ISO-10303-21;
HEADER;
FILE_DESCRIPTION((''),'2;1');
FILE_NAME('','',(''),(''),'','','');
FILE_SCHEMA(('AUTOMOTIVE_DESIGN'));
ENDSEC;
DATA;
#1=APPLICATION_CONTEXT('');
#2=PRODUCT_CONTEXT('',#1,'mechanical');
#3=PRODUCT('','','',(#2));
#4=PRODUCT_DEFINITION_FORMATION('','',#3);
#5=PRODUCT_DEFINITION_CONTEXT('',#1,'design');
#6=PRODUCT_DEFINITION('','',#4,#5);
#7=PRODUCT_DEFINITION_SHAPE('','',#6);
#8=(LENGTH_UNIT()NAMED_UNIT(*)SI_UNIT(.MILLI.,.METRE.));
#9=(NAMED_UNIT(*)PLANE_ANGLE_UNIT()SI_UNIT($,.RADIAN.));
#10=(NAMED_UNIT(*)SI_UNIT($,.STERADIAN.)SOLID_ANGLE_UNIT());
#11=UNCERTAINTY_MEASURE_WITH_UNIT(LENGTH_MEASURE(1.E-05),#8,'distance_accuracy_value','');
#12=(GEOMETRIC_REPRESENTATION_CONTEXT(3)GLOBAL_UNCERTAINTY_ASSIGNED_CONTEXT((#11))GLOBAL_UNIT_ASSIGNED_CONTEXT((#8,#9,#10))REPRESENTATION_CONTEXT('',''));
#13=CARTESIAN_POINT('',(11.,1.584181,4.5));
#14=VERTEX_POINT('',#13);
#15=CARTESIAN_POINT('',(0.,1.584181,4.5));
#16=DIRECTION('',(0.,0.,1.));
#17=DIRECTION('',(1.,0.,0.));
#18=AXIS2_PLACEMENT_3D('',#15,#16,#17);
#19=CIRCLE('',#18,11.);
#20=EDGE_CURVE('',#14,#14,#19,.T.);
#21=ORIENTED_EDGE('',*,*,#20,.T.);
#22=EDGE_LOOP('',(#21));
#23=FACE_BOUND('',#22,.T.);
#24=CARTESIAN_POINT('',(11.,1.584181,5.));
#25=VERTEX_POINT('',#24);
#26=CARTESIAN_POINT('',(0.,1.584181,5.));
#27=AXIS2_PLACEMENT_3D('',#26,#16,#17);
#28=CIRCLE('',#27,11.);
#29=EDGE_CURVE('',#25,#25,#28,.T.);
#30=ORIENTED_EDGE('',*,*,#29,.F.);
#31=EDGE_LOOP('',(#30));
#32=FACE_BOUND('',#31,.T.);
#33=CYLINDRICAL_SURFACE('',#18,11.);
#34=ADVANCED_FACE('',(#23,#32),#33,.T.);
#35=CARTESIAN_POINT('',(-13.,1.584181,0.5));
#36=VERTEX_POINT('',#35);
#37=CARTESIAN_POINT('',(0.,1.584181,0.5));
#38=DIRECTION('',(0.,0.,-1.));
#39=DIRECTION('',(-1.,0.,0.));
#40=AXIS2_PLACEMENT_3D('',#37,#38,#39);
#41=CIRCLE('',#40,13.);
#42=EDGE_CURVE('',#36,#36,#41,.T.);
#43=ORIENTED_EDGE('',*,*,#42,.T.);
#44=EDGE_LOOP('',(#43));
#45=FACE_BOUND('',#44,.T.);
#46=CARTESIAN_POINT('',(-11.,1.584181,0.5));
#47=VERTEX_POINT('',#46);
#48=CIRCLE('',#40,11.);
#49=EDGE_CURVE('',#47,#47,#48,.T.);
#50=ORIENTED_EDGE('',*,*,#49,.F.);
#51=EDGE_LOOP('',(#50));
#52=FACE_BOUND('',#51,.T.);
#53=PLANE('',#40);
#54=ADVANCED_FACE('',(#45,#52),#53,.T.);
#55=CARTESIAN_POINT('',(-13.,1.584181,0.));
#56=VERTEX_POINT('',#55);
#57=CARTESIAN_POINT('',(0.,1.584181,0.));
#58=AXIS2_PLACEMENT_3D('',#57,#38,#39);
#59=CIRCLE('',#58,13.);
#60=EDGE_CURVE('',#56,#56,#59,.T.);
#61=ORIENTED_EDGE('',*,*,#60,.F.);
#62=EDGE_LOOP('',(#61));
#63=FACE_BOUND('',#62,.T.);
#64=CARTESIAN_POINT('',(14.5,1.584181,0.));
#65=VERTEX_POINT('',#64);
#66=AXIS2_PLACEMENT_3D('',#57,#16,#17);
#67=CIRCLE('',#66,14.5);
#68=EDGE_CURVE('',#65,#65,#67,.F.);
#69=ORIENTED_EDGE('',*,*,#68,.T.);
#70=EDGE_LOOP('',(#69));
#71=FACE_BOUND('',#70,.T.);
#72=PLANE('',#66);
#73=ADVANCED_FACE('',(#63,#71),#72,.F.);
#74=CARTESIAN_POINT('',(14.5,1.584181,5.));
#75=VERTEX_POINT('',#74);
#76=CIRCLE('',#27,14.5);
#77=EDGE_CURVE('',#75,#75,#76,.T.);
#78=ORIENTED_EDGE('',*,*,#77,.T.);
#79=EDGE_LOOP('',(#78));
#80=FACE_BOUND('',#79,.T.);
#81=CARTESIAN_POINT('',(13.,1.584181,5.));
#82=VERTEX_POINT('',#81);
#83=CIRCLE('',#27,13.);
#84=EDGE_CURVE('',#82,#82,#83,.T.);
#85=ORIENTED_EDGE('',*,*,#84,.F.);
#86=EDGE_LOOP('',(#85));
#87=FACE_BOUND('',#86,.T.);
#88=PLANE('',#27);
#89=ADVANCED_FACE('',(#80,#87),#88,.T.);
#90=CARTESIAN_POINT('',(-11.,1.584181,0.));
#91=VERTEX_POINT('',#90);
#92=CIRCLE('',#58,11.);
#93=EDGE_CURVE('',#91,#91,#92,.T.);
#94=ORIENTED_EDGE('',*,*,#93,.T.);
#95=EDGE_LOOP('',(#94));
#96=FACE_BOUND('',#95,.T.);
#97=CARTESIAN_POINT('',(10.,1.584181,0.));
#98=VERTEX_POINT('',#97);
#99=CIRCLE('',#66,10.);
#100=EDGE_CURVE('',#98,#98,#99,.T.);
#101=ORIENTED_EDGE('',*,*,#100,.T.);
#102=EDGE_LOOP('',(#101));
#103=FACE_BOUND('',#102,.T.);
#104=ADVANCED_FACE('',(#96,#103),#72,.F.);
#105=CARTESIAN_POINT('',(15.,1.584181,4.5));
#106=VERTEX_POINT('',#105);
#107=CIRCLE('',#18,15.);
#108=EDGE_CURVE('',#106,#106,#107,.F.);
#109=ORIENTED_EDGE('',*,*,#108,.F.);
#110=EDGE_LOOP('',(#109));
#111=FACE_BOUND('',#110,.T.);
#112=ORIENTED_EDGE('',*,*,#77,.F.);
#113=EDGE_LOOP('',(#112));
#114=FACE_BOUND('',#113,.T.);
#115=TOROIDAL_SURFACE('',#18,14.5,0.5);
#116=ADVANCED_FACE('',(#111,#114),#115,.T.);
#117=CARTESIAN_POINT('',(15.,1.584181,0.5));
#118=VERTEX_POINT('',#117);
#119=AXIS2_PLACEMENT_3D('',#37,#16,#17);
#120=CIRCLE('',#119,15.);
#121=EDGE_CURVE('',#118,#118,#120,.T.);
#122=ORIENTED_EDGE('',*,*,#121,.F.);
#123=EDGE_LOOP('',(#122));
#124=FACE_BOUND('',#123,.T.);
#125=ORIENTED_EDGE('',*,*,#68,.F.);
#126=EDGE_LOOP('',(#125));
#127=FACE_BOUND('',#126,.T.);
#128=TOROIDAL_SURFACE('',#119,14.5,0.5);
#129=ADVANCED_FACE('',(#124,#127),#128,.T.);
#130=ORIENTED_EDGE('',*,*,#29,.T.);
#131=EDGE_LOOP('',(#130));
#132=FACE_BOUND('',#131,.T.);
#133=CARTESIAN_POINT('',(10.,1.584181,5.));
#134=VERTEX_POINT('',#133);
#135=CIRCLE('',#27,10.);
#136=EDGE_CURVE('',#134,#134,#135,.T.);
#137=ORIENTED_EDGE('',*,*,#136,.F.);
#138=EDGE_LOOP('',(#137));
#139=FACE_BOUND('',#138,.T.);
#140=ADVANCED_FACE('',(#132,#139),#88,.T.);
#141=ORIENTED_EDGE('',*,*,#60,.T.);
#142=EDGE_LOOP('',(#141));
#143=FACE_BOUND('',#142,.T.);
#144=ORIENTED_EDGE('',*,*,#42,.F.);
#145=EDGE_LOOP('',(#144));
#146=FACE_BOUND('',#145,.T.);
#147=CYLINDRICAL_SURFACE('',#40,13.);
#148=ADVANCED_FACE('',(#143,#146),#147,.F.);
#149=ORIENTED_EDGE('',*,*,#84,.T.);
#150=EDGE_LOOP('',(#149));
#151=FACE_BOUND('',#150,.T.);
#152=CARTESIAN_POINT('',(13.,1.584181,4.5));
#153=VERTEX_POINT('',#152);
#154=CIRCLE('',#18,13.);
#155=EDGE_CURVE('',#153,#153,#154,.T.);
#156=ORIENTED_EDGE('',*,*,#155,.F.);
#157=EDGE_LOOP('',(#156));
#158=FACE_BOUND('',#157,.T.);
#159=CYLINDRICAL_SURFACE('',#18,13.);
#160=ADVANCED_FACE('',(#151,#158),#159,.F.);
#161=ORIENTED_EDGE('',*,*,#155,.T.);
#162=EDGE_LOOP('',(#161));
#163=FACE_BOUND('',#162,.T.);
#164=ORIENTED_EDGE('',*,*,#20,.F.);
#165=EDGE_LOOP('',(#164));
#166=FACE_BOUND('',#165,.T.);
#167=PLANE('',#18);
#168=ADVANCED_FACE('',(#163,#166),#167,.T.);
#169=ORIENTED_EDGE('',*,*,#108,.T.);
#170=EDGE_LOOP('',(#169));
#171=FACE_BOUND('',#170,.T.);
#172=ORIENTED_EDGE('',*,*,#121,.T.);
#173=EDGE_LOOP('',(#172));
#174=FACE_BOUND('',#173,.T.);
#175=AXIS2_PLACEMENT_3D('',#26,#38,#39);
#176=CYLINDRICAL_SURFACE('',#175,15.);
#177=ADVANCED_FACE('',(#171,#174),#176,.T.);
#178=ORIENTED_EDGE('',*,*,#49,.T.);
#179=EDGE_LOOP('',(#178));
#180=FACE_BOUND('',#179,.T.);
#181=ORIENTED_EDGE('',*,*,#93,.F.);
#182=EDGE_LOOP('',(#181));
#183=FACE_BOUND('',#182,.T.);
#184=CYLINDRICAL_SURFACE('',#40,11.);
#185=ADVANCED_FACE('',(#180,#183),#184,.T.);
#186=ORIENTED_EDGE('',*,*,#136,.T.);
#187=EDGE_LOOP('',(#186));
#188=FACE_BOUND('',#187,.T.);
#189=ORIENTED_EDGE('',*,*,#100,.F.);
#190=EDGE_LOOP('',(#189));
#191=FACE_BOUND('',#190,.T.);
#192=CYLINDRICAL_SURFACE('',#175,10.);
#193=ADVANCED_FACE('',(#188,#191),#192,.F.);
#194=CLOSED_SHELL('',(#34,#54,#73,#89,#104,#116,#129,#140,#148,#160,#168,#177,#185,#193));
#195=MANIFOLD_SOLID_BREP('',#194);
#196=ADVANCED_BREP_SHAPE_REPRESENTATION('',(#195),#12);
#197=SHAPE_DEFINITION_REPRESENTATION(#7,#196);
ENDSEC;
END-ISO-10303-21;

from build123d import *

# Parameters (mm, degrees)
SKETCH1_R           = 15
SKETCH1_R_2         = 10
BOSS_EXTRUDE1_DEPTH = 5
FILLET1_R           = 0.5
SKETCH2_R           = 13
SKETCH2_R_2         = 11
CUT_EXTRUDE1_DEPTH  = 0.5
SKETCH3_R           = 13
SKETCH3_R_2         = 11
CUT_EXTRUDE2_DEPTH  = 0.5


with BuildPart() as part:
    # Sketch1 → Boss-Extrude1 (new body)
    with BuildSketch(Plane.XY):
        with Locations((0, 1.584180911)):
            Circle(SKETCH1_R)
        with Locations((0, 1.584180911)):
            Circle(SKETCH1_R_2, mode=Mode.SUBTRACT)
    extrude(amount=BOSS_EXTRUDE1_DEPTH)

    # Fillet1
    fillet1_edges = [part.edges().sort_by_distance(p)[0] for p in [
        (-15, 1.584180911, 0),
        (-15, 1.584180911, 5),
    ]]
    fillet(fillet1_edges, radius=FILLET1_R)

    # Sketch2 → Cut-Extrude1 (cut)
    with BuildSketch(Plane.XY.offset(5)):
        with Locations((0, 1.584180911)):
            Circle(SKETCH2_R)
        with Locations((0, 1.584180911)):
            Circle(SKETCH2_R_2, mode=Mode.SUBTRACT)
    extrude(amount=-CUT_EXTRUDE1_DEPTH, mode=Mode.SUBTRACT)

    # Sketch3 → Cut-Extrude2 (cut)
    with BuildSketch(Plane(origin=(0, 0, 0), x_dir=(-1, 0, 0), z_dir=(0, 0, -1))):
        with Locations((0, 1.584180911)):
            Circle(SKETCH3_R)
        with Locations((0, 1.584180911)):
            Circle(SKETCH3_R_2, mode=Mode.SUBTRACT)
    extrude(amount=-CUT_EXTRUDE2_DEPTH, mode=Mode.SUBTRACT)


solid = part.part
